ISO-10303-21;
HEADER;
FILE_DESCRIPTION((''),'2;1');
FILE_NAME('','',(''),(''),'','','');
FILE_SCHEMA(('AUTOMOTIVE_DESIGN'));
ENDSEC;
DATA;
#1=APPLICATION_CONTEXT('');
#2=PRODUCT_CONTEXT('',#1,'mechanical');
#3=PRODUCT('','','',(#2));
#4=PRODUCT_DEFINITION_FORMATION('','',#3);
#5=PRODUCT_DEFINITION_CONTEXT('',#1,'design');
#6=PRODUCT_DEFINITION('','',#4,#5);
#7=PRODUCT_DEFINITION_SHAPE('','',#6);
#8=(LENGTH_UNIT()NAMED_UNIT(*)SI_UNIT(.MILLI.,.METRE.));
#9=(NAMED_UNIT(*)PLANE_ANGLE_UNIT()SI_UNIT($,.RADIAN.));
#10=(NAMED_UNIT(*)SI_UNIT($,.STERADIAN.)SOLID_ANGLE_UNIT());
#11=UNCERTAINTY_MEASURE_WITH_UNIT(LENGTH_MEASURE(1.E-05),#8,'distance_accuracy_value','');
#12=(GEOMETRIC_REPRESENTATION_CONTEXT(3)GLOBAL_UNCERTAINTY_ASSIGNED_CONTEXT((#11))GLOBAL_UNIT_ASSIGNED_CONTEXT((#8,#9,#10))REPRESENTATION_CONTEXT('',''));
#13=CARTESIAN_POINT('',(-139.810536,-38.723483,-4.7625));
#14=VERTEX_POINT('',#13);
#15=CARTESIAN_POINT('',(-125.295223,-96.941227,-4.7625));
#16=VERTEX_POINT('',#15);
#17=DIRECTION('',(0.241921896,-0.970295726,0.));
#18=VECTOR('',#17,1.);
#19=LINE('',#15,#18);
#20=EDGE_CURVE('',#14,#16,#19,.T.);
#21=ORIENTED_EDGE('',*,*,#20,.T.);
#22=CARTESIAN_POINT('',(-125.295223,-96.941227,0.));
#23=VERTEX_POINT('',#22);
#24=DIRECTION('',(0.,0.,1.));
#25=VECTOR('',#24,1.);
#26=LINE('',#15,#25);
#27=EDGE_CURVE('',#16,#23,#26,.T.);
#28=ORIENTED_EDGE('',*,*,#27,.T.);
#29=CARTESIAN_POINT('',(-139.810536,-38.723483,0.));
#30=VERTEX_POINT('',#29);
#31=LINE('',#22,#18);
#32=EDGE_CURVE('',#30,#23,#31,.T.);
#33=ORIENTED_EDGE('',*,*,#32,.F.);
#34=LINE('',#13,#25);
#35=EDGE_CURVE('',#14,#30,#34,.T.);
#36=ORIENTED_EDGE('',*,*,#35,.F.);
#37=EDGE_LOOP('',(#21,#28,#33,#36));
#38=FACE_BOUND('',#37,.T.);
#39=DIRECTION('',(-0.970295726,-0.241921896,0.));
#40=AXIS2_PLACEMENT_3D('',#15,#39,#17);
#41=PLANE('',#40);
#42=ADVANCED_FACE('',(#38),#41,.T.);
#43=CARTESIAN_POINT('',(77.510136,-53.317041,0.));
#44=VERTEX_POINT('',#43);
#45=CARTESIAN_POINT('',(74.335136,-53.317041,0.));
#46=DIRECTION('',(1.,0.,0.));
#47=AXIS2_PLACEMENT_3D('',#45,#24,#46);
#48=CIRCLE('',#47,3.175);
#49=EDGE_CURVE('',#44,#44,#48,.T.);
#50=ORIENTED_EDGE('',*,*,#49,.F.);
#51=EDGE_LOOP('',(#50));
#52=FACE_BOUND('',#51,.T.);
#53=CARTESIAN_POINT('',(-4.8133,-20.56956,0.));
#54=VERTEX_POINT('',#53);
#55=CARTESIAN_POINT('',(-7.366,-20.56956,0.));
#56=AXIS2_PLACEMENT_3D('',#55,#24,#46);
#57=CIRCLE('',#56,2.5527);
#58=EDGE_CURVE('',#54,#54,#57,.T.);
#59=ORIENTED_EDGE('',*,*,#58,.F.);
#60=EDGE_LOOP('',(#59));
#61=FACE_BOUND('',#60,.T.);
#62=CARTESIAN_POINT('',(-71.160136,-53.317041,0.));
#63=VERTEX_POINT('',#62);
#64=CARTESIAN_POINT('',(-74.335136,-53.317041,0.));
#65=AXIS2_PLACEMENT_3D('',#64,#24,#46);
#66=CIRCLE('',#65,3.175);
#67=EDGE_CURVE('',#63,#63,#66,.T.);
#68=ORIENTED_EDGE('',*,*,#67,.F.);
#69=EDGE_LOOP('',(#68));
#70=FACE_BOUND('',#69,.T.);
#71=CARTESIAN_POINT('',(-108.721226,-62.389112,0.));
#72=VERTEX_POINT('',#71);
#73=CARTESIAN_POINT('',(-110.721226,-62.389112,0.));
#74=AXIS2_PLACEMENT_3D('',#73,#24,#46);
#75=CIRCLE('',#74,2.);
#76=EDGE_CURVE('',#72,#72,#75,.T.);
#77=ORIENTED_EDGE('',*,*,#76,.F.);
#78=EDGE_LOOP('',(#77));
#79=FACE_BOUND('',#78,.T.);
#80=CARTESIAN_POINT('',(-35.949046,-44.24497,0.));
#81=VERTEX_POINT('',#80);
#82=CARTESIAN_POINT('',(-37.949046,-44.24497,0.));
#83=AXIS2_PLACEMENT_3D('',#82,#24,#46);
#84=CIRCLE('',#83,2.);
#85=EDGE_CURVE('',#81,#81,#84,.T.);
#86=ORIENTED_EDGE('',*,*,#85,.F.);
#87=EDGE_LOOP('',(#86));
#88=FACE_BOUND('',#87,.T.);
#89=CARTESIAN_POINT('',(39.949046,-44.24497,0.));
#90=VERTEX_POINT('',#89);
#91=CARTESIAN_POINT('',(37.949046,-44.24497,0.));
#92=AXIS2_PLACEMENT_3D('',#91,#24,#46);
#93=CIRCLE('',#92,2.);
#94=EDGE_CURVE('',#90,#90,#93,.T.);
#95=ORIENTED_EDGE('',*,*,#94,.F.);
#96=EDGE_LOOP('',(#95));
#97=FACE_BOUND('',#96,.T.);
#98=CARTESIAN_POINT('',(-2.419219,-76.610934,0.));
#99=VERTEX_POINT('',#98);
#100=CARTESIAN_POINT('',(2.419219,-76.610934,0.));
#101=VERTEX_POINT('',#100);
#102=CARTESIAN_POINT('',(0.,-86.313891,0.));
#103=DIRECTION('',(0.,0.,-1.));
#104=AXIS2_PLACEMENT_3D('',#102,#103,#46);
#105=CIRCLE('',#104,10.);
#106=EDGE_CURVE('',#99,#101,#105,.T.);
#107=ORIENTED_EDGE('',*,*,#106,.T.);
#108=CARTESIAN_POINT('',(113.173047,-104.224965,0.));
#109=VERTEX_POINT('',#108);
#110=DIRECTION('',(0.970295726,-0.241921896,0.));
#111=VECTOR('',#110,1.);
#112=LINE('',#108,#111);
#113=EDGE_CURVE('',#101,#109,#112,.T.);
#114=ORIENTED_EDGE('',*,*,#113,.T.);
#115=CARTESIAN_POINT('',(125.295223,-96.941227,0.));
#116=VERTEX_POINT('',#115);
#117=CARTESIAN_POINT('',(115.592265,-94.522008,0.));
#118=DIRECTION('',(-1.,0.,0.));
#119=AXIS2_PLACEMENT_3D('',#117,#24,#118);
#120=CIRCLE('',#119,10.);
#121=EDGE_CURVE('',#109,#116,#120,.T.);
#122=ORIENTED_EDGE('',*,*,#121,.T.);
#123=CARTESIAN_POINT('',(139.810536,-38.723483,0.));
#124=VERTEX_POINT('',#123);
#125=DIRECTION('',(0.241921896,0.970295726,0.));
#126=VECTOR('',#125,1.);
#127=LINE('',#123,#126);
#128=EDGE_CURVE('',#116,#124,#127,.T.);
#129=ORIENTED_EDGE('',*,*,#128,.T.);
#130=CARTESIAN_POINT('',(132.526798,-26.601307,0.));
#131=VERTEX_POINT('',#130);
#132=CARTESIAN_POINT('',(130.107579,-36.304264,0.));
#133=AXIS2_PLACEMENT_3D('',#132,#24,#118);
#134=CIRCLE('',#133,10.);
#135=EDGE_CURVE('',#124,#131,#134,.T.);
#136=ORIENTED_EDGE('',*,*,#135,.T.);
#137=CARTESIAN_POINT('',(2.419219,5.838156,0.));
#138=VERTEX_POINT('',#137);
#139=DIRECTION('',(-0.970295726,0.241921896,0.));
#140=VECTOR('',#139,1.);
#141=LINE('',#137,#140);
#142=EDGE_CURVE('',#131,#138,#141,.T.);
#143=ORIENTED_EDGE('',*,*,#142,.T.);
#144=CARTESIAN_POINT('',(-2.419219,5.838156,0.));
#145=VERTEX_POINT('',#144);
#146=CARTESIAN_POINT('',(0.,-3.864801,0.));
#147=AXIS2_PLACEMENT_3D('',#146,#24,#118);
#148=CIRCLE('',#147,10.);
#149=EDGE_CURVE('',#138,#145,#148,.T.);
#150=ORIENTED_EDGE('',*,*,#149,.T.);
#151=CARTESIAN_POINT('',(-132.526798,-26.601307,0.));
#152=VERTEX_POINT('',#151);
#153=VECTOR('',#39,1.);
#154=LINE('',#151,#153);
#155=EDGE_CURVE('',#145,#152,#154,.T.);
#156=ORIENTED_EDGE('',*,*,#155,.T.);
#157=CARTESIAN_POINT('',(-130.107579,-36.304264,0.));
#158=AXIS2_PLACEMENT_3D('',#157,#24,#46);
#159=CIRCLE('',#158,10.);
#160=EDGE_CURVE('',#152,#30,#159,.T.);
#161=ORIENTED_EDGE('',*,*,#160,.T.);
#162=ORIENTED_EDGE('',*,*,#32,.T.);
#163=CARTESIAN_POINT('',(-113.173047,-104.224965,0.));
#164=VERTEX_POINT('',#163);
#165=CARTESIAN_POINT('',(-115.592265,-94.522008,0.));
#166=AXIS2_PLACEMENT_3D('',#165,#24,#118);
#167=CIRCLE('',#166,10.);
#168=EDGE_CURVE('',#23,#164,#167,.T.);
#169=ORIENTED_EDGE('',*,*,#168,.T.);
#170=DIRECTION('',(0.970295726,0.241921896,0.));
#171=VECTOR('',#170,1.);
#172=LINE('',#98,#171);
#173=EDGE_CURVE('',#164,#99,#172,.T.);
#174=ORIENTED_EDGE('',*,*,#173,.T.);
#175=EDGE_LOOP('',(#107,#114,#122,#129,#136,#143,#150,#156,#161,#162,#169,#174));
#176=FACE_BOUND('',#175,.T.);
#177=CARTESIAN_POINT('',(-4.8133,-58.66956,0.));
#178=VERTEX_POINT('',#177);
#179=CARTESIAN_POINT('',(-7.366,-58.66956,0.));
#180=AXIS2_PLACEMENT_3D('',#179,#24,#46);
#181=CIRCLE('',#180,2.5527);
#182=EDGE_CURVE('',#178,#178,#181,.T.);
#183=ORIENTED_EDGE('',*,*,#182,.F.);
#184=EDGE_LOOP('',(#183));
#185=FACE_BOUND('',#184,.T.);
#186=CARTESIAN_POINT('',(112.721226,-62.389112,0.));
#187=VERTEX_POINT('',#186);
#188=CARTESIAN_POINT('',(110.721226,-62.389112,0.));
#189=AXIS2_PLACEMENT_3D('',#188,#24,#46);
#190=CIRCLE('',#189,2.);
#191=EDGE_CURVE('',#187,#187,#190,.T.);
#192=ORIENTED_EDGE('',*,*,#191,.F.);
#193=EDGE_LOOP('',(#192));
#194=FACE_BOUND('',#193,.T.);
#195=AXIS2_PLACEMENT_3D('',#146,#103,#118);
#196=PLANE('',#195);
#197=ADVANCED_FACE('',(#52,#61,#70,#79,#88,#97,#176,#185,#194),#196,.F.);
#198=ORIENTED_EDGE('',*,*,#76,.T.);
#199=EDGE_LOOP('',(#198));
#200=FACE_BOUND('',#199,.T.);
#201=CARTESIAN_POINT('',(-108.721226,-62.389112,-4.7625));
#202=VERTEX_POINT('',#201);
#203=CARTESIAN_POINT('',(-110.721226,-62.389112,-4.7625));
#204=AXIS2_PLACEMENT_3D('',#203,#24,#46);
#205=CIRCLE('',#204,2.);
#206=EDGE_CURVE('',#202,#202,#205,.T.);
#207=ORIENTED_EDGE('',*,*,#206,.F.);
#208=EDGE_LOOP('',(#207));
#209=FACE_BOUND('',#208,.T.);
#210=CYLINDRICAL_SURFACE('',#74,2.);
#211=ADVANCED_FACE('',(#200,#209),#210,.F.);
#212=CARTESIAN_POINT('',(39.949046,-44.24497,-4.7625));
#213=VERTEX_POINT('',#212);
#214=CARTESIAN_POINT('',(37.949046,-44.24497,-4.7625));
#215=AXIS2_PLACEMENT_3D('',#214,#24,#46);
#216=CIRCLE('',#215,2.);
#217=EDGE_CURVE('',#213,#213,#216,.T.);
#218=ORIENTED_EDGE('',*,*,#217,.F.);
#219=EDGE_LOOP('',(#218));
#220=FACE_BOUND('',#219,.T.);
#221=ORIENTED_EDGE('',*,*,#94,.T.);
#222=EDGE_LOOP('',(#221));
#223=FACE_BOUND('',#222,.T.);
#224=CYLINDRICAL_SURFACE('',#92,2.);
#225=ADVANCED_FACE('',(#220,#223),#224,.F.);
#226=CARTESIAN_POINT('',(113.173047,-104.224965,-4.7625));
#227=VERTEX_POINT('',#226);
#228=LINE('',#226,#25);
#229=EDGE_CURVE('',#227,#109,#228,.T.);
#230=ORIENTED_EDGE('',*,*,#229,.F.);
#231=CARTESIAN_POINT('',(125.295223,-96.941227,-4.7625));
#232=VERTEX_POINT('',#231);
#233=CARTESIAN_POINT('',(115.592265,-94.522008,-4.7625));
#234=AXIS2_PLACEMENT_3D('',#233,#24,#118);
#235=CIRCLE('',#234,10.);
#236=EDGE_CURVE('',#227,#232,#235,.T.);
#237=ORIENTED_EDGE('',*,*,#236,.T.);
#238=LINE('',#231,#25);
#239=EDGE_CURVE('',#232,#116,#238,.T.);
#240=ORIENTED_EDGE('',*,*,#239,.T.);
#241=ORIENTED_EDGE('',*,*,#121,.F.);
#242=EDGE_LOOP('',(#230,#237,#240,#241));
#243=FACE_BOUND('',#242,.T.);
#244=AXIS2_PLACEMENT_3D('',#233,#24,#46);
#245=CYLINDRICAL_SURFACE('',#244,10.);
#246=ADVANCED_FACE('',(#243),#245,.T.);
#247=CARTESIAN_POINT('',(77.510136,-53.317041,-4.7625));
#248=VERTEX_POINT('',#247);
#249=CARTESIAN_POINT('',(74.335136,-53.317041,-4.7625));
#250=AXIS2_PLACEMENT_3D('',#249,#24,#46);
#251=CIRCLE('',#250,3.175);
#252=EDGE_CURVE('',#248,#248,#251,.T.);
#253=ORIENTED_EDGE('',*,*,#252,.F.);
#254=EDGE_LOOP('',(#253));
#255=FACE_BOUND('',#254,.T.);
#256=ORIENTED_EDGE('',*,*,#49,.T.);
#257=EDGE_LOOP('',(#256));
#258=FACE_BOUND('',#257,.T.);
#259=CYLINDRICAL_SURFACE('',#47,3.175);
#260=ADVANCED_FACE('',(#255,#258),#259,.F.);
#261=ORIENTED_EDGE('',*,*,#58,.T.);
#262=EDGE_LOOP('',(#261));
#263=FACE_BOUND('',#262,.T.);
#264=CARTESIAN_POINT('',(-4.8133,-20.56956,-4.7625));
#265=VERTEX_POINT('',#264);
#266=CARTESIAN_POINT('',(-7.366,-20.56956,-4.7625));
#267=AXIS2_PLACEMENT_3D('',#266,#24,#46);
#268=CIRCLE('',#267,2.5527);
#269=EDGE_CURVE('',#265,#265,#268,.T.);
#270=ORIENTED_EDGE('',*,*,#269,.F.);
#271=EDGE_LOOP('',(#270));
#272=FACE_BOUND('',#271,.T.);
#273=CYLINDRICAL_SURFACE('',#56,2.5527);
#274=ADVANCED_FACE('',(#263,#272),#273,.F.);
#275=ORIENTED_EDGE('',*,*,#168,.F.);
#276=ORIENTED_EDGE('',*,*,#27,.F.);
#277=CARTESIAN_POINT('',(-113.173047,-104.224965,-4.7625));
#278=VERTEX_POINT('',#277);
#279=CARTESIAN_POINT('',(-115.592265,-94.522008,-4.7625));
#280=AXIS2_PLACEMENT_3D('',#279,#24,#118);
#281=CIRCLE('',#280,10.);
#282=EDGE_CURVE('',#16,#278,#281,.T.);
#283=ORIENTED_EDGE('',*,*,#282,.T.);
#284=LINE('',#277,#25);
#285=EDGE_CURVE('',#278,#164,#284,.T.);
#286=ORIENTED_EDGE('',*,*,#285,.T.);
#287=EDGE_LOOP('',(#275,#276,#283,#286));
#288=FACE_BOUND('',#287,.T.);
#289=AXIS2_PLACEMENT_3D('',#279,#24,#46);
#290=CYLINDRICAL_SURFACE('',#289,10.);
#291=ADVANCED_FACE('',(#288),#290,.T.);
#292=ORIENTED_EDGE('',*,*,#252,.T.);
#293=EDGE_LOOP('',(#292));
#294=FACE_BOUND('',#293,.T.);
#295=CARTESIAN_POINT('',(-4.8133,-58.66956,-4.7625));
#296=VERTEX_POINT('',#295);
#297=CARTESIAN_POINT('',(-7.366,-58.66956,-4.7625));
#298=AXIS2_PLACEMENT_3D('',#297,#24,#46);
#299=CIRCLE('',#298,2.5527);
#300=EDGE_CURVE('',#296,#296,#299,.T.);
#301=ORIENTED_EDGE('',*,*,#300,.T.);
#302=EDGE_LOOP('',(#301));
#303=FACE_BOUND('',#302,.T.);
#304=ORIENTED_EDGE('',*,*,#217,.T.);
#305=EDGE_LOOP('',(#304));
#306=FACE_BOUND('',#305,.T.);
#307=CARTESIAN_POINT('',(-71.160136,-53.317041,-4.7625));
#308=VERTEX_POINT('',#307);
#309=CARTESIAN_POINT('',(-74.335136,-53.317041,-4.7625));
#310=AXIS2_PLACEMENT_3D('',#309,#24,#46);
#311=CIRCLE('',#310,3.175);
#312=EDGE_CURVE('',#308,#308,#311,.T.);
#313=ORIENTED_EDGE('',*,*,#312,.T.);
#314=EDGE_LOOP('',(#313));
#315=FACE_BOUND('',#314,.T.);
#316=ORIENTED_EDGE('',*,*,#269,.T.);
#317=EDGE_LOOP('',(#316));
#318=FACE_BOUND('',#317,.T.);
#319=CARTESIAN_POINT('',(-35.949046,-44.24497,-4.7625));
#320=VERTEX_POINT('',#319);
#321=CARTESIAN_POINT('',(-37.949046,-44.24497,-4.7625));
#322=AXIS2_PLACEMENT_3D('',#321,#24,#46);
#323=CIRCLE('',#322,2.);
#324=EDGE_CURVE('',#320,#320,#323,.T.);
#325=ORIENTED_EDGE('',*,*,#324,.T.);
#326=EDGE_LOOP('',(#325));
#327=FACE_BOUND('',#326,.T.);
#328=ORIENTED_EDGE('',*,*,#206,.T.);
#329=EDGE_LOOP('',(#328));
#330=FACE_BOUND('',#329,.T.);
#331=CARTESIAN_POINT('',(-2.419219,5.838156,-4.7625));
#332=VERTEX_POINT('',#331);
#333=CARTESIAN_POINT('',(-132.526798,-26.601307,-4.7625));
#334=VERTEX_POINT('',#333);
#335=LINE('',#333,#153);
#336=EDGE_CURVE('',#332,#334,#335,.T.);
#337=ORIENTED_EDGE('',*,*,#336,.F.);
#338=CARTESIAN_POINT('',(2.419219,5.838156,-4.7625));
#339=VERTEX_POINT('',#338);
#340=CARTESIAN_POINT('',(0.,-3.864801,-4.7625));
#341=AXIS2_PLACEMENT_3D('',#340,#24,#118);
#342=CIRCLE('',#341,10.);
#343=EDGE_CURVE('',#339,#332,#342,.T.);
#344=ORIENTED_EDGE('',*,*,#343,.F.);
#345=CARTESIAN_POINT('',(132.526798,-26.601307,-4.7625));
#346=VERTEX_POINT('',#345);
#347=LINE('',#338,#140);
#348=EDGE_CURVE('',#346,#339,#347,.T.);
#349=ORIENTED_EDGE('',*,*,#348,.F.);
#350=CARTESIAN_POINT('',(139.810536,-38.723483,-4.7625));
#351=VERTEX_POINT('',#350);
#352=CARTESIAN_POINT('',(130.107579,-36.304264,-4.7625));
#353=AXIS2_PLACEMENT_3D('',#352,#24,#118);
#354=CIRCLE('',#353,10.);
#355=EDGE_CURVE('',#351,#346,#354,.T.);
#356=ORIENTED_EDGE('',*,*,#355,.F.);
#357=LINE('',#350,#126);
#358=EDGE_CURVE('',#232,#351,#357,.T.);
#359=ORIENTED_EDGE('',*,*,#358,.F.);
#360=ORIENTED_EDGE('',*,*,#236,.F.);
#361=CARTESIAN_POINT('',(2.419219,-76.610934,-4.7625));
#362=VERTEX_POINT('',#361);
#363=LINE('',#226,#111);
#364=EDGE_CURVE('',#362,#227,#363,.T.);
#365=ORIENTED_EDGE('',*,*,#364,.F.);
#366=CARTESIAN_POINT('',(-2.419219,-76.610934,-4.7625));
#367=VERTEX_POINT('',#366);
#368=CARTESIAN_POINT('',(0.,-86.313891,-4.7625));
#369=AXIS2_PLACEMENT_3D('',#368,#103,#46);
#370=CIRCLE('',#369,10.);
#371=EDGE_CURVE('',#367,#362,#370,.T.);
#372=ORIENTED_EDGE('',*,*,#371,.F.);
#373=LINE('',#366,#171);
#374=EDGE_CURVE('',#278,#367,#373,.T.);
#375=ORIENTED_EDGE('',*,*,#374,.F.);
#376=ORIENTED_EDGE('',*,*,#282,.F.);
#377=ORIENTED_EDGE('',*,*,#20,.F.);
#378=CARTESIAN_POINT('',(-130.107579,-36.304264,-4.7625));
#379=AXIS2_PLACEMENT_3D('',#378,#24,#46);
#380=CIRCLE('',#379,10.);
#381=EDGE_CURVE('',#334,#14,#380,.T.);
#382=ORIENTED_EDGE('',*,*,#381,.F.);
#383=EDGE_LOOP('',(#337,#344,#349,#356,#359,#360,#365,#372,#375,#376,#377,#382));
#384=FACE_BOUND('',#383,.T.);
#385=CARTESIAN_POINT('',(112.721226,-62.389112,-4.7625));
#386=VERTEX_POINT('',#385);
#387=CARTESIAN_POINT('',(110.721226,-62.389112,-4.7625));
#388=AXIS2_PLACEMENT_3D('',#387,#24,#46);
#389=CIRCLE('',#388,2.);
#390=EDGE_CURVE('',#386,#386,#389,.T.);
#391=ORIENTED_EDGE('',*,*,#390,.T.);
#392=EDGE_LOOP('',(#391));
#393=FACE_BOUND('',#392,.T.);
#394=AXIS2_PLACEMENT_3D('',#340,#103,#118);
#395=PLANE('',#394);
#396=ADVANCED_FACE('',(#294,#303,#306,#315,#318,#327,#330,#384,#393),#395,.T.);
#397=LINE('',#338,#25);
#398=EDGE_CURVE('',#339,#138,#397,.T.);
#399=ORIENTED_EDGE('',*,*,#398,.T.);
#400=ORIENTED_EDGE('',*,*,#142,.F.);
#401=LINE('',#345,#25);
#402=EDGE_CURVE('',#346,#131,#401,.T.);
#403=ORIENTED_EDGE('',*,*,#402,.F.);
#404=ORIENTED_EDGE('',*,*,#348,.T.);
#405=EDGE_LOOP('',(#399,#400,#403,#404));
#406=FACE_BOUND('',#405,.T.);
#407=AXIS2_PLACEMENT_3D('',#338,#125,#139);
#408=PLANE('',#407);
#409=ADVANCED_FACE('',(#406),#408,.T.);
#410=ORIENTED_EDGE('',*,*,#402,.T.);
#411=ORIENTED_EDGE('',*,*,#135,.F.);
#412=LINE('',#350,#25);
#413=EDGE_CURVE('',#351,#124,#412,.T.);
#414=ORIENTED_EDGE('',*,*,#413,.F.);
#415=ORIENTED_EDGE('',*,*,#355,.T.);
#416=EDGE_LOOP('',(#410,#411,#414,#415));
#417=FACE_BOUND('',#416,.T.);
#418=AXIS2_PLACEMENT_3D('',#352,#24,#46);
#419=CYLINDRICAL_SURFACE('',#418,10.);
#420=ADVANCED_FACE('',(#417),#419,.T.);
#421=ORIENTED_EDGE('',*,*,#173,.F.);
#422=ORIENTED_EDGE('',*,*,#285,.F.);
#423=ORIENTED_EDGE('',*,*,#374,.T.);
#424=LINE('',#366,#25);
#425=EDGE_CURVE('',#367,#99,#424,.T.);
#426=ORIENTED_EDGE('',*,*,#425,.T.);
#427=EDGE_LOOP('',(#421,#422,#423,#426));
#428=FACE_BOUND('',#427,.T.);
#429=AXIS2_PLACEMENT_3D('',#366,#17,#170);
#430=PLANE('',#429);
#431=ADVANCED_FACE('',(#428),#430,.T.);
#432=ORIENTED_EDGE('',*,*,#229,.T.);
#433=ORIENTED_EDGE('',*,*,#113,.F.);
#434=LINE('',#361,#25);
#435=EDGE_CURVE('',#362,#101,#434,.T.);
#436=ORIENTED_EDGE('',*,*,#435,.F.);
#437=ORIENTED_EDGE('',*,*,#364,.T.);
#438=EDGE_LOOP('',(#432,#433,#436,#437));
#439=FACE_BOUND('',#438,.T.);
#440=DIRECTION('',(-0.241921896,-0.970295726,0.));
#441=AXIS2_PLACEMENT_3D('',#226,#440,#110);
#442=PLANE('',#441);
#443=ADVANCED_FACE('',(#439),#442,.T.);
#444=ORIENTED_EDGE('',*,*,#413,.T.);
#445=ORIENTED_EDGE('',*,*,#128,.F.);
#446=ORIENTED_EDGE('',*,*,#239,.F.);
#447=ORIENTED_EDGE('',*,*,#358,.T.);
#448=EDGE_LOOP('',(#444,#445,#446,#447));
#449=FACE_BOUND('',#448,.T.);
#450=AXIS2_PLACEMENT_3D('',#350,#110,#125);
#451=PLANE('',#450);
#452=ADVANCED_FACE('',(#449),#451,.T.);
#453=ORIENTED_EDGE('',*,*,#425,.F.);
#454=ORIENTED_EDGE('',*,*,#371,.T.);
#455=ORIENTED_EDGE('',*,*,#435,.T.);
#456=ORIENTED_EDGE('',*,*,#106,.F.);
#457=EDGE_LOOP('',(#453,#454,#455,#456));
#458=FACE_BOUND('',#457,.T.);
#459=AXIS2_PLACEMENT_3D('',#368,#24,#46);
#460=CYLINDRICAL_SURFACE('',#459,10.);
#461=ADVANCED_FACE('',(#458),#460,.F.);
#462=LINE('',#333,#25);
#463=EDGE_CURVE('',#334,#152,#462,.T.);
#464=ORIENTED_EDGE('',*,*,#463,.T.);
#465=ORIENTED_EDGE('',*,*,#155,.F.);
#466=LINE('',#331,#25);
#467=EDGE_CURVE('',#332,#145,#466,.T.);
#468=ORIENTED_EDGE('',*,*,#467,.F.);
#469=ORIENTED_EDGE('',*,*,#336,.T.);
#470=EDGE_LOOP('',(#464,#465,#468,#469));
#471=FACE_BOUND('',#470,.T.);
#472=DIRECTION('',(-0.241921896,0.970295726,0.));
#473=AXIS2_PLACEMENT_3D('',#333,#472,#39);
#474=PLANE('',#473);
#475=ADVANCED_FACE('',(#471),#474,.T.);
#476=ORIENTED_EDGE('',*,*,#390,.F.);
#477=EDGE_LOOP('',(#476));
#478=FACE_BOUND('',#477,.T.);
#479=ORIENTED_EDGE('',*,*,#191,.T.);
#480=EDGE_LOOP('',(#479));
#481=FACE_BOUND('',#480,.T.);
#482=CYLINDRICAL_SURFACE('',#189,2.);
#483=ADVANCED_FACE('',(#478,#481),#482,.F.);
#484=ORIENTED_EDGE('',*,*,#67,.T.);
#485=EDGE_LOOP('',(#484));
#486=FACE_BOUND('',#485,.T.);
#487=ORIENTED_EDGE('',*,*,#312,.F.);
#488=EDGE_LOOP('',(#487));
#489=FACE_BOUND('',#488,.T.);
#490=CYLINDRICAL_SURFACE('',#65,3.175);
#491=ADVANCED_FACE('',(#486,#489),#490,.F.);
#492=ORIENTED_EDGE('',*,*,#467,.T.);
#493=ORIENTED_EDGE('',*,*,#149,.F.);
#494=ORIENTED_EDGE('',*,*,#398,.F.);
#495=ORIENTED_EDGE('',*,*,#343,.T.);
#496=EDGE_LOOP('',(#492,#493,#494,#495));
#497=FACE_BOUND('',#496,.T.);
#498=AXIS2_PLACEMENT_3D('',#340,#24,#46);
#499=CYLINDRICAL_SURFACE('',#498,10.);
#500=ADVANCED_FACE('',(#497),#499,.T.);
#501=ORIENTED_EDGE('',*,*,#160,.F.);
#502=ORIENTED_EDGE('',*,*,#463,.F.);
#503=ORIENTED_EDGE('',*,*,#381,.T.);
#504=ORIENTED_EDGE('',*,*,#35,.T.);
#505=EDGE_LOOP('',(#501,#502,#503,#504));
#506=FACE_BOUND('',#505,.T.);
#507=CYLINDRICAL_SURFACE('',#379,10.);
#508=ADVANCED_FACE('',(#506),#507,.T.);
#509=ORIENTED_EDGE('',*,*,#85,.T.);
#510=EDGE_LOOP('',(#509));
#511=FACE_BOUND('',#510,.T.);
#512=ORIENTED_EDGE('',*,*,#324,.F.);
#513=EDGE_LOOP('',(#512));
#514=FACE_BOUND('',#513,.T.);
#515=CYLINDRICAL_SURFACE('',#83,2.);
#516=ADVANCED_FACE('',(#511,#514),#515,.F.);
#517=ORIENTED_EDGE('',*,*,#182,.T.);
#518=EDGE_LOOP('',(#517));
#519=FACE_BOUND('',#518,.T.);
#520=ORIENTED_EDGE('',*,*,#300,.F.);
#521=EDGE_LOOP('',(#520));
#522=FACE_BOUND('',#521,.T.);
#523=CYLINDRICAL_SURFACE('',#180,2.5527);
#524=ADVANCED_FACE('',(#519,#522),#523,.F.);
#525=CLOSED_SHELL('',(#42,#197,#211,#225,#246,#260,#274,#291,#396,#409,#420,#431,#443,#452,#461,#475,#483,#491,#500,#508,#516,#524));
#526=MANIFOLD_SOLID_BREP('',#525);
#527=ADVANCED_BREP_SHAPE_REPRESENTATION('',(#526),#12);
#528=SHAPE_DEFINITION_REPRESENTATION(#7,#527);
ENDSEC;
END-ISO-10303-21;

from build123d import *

# Parameters (mm, degrees)
BOSS_EXTRUDE1_DEPTH         = 4.7625
F_1_4_0_25_DIAMETER_HOLE2_D = 6.35
F_4_0MM_DOWEL_HOLE1_D       = 4
F_1_4_20_TAPPED_HOLE1_D     = 5.1054


with BuildPart() as part:
    # Sketch1 → Boss-Extrude1 (new body)
    with BuildSketch(Plane.XY):
        with BuildLine():
            Line((-132.526798161, -26.601306725), (-2.419218956, 5.838156153))
            ThreePointArc((-2.419218956, 5.838156153), (0, 6.13519889), (2.419218956, 5.838156153))
            Line((2.419218956, 5.838156153), (132.526798161, -26.601306725))
            ThreePointArc((132.526798161, -26.601306725), (138.679252212, -31.153883239), (139.810536468, -38.723482944))
            Line((139.810536468, -38.723482944), (125.295222732, -96.941226521))
            ThreePointArc((125.295222732, -96.941226521), (120.742646218, -103.093680572), (113.173046513, -104.224964827))
            Line((113.173046513, -104.224964827), (2.419218956, -76.610934195))
            ThreePointArc((2.419218956, -76.610934195), (0, -76.313891458), (-2.419218956, -76.610934195))
            Line((-2.419218956, -76.610934195), (-113.173046513, -104.224964827))
            ThreePointArc((-113.173046513, -104.224964827), (-120.742646218, -103.093680572), (-125.295222732, -96.941226521))
            Line((-125.295222732, -96.941226521), (-139.810536468, -38.723482944))
            ThreePointArc((-139.810536468, -38.723482944), (-138.679252212, -31.153883239), (-132.526798161, -26.601306725))
        make_face()
    extrude(amount=-BOSS_EXTRUDE1_DEPTH)

    # 1/4 (0.25) Diameter Hole2 (through all)
    with Locations(Plane.XY):
        with Locations((-74.335136024, -53.317040996), (74.335136024, -53.317040996)):
            Hole(F_1_4_0_25_DIAMETER_HOLE2_D / 2)

    # Ø4.0mm Dowel Hole1 (through all)
    with Locations(Plane.XY):
        with Locations((-110.721225759, -62.389112081), (-37.949046288, -44.244969911), (37.949046288, -44.244969911), (110.721225759, -62.389112081)):
            Hole(F_4_0MM_DOWEL_HOLE1_D / 2)

    # 1/4-20 Tapped Hole1 (through all)
    with Locations(Plane.XY):
        with Locations((-7.366, -20.569560235), (-7.366, -58.669560235)):
            Hole(F_1_4_20_TAPPED_HOLE1_D / 2)


solid = part.part
